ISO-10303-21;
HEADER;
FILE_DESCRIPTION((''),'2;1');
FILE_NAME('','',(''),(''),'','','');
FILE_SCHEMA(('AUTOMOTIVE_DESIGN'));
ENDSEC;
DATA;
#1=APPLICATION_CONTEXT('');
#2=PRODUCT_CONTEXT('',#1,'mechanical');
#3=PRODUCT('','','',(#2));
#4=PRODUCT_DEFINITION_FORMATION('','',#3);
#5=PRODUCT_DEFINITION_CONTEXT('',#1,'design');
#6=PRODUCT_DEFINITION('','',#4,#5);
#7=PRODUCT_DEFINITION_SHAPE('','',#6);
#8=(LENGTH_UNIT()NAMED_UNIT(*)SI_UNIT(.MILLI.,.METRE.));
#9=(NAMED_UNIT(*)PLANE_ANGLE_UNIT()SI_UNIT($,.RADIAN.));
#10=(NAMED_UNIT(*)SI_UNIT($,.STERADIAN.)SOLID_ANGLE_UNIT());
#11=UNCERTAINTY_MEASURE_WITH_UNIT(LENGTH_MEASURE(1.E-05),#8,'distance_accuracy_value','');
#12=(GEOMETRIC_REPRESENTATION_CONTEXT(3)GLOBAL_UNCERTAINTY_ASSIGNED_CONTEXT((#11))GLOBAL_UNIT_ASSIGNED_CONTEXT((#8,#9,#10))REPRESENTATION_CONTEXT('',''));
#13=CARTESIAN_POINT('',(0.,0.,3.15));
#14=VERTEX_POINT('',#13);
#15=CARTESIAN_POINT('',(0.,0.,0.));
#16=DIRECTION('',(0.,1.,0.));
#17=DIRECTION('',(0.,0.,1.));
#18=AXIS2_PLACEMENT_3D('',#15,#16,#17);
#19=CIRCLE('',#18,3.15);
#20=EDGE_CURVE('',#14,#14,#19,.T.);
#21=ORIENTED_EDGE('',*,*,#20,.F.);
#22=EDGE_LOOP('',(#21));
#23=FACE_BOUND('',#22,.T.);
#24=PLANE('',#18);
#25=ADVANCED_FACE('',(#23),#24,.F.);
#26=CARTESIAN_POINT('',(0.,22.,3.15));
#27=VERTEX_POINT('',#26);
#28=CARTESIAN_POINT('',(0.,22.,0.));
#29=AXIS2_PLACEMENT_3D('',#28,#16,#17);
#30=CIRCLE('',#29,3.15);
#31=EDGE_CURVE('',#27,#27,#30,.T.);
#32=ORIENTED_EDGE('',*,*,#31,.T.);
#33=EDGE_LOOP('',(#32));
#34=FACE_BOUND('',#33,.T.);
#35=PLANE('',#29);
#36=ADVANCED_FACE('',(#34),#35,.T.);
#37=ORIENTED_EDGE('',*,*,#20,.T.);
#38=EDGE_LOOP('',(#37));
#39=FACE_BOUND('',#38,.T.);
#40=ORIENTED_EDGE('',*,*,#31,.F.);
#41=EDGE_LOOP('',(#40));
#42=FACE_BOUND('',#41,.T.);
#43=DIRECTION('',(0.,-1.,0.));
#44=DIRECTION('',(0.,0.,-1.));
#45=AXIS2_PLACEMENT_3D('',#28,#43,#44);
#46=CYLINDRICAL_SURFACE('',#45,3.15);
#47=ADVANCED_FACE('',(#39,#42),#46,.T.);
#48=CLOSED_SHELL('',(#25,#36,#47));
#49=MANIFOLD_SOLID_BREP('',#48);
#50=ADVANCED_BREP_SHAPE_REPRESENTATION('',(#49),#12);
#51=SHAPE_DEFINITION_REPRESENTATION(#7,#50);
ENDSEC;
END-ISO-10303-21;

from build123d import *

# Parameters (mm, degrees)
ESQUISSE1_R        = 3.15
BOSS_EXTRU_1_DEPTH = 22


with BuildPart() as part:
    # Esquisse1 → Boss.-Extru.1 (new body)
    with BuildSketch(Plane(origin=(0, 0, 0), x_dir=(1, 0, 0), z_dir=(0, 1, 0))):
        with Locations(Location((0, 0, 0), (0, 0, 270))):
            Circle(ESQUISSE1_R)
    extrude(amount=BOSS_EXTRU_1_DEPTH)


solid = part.part
